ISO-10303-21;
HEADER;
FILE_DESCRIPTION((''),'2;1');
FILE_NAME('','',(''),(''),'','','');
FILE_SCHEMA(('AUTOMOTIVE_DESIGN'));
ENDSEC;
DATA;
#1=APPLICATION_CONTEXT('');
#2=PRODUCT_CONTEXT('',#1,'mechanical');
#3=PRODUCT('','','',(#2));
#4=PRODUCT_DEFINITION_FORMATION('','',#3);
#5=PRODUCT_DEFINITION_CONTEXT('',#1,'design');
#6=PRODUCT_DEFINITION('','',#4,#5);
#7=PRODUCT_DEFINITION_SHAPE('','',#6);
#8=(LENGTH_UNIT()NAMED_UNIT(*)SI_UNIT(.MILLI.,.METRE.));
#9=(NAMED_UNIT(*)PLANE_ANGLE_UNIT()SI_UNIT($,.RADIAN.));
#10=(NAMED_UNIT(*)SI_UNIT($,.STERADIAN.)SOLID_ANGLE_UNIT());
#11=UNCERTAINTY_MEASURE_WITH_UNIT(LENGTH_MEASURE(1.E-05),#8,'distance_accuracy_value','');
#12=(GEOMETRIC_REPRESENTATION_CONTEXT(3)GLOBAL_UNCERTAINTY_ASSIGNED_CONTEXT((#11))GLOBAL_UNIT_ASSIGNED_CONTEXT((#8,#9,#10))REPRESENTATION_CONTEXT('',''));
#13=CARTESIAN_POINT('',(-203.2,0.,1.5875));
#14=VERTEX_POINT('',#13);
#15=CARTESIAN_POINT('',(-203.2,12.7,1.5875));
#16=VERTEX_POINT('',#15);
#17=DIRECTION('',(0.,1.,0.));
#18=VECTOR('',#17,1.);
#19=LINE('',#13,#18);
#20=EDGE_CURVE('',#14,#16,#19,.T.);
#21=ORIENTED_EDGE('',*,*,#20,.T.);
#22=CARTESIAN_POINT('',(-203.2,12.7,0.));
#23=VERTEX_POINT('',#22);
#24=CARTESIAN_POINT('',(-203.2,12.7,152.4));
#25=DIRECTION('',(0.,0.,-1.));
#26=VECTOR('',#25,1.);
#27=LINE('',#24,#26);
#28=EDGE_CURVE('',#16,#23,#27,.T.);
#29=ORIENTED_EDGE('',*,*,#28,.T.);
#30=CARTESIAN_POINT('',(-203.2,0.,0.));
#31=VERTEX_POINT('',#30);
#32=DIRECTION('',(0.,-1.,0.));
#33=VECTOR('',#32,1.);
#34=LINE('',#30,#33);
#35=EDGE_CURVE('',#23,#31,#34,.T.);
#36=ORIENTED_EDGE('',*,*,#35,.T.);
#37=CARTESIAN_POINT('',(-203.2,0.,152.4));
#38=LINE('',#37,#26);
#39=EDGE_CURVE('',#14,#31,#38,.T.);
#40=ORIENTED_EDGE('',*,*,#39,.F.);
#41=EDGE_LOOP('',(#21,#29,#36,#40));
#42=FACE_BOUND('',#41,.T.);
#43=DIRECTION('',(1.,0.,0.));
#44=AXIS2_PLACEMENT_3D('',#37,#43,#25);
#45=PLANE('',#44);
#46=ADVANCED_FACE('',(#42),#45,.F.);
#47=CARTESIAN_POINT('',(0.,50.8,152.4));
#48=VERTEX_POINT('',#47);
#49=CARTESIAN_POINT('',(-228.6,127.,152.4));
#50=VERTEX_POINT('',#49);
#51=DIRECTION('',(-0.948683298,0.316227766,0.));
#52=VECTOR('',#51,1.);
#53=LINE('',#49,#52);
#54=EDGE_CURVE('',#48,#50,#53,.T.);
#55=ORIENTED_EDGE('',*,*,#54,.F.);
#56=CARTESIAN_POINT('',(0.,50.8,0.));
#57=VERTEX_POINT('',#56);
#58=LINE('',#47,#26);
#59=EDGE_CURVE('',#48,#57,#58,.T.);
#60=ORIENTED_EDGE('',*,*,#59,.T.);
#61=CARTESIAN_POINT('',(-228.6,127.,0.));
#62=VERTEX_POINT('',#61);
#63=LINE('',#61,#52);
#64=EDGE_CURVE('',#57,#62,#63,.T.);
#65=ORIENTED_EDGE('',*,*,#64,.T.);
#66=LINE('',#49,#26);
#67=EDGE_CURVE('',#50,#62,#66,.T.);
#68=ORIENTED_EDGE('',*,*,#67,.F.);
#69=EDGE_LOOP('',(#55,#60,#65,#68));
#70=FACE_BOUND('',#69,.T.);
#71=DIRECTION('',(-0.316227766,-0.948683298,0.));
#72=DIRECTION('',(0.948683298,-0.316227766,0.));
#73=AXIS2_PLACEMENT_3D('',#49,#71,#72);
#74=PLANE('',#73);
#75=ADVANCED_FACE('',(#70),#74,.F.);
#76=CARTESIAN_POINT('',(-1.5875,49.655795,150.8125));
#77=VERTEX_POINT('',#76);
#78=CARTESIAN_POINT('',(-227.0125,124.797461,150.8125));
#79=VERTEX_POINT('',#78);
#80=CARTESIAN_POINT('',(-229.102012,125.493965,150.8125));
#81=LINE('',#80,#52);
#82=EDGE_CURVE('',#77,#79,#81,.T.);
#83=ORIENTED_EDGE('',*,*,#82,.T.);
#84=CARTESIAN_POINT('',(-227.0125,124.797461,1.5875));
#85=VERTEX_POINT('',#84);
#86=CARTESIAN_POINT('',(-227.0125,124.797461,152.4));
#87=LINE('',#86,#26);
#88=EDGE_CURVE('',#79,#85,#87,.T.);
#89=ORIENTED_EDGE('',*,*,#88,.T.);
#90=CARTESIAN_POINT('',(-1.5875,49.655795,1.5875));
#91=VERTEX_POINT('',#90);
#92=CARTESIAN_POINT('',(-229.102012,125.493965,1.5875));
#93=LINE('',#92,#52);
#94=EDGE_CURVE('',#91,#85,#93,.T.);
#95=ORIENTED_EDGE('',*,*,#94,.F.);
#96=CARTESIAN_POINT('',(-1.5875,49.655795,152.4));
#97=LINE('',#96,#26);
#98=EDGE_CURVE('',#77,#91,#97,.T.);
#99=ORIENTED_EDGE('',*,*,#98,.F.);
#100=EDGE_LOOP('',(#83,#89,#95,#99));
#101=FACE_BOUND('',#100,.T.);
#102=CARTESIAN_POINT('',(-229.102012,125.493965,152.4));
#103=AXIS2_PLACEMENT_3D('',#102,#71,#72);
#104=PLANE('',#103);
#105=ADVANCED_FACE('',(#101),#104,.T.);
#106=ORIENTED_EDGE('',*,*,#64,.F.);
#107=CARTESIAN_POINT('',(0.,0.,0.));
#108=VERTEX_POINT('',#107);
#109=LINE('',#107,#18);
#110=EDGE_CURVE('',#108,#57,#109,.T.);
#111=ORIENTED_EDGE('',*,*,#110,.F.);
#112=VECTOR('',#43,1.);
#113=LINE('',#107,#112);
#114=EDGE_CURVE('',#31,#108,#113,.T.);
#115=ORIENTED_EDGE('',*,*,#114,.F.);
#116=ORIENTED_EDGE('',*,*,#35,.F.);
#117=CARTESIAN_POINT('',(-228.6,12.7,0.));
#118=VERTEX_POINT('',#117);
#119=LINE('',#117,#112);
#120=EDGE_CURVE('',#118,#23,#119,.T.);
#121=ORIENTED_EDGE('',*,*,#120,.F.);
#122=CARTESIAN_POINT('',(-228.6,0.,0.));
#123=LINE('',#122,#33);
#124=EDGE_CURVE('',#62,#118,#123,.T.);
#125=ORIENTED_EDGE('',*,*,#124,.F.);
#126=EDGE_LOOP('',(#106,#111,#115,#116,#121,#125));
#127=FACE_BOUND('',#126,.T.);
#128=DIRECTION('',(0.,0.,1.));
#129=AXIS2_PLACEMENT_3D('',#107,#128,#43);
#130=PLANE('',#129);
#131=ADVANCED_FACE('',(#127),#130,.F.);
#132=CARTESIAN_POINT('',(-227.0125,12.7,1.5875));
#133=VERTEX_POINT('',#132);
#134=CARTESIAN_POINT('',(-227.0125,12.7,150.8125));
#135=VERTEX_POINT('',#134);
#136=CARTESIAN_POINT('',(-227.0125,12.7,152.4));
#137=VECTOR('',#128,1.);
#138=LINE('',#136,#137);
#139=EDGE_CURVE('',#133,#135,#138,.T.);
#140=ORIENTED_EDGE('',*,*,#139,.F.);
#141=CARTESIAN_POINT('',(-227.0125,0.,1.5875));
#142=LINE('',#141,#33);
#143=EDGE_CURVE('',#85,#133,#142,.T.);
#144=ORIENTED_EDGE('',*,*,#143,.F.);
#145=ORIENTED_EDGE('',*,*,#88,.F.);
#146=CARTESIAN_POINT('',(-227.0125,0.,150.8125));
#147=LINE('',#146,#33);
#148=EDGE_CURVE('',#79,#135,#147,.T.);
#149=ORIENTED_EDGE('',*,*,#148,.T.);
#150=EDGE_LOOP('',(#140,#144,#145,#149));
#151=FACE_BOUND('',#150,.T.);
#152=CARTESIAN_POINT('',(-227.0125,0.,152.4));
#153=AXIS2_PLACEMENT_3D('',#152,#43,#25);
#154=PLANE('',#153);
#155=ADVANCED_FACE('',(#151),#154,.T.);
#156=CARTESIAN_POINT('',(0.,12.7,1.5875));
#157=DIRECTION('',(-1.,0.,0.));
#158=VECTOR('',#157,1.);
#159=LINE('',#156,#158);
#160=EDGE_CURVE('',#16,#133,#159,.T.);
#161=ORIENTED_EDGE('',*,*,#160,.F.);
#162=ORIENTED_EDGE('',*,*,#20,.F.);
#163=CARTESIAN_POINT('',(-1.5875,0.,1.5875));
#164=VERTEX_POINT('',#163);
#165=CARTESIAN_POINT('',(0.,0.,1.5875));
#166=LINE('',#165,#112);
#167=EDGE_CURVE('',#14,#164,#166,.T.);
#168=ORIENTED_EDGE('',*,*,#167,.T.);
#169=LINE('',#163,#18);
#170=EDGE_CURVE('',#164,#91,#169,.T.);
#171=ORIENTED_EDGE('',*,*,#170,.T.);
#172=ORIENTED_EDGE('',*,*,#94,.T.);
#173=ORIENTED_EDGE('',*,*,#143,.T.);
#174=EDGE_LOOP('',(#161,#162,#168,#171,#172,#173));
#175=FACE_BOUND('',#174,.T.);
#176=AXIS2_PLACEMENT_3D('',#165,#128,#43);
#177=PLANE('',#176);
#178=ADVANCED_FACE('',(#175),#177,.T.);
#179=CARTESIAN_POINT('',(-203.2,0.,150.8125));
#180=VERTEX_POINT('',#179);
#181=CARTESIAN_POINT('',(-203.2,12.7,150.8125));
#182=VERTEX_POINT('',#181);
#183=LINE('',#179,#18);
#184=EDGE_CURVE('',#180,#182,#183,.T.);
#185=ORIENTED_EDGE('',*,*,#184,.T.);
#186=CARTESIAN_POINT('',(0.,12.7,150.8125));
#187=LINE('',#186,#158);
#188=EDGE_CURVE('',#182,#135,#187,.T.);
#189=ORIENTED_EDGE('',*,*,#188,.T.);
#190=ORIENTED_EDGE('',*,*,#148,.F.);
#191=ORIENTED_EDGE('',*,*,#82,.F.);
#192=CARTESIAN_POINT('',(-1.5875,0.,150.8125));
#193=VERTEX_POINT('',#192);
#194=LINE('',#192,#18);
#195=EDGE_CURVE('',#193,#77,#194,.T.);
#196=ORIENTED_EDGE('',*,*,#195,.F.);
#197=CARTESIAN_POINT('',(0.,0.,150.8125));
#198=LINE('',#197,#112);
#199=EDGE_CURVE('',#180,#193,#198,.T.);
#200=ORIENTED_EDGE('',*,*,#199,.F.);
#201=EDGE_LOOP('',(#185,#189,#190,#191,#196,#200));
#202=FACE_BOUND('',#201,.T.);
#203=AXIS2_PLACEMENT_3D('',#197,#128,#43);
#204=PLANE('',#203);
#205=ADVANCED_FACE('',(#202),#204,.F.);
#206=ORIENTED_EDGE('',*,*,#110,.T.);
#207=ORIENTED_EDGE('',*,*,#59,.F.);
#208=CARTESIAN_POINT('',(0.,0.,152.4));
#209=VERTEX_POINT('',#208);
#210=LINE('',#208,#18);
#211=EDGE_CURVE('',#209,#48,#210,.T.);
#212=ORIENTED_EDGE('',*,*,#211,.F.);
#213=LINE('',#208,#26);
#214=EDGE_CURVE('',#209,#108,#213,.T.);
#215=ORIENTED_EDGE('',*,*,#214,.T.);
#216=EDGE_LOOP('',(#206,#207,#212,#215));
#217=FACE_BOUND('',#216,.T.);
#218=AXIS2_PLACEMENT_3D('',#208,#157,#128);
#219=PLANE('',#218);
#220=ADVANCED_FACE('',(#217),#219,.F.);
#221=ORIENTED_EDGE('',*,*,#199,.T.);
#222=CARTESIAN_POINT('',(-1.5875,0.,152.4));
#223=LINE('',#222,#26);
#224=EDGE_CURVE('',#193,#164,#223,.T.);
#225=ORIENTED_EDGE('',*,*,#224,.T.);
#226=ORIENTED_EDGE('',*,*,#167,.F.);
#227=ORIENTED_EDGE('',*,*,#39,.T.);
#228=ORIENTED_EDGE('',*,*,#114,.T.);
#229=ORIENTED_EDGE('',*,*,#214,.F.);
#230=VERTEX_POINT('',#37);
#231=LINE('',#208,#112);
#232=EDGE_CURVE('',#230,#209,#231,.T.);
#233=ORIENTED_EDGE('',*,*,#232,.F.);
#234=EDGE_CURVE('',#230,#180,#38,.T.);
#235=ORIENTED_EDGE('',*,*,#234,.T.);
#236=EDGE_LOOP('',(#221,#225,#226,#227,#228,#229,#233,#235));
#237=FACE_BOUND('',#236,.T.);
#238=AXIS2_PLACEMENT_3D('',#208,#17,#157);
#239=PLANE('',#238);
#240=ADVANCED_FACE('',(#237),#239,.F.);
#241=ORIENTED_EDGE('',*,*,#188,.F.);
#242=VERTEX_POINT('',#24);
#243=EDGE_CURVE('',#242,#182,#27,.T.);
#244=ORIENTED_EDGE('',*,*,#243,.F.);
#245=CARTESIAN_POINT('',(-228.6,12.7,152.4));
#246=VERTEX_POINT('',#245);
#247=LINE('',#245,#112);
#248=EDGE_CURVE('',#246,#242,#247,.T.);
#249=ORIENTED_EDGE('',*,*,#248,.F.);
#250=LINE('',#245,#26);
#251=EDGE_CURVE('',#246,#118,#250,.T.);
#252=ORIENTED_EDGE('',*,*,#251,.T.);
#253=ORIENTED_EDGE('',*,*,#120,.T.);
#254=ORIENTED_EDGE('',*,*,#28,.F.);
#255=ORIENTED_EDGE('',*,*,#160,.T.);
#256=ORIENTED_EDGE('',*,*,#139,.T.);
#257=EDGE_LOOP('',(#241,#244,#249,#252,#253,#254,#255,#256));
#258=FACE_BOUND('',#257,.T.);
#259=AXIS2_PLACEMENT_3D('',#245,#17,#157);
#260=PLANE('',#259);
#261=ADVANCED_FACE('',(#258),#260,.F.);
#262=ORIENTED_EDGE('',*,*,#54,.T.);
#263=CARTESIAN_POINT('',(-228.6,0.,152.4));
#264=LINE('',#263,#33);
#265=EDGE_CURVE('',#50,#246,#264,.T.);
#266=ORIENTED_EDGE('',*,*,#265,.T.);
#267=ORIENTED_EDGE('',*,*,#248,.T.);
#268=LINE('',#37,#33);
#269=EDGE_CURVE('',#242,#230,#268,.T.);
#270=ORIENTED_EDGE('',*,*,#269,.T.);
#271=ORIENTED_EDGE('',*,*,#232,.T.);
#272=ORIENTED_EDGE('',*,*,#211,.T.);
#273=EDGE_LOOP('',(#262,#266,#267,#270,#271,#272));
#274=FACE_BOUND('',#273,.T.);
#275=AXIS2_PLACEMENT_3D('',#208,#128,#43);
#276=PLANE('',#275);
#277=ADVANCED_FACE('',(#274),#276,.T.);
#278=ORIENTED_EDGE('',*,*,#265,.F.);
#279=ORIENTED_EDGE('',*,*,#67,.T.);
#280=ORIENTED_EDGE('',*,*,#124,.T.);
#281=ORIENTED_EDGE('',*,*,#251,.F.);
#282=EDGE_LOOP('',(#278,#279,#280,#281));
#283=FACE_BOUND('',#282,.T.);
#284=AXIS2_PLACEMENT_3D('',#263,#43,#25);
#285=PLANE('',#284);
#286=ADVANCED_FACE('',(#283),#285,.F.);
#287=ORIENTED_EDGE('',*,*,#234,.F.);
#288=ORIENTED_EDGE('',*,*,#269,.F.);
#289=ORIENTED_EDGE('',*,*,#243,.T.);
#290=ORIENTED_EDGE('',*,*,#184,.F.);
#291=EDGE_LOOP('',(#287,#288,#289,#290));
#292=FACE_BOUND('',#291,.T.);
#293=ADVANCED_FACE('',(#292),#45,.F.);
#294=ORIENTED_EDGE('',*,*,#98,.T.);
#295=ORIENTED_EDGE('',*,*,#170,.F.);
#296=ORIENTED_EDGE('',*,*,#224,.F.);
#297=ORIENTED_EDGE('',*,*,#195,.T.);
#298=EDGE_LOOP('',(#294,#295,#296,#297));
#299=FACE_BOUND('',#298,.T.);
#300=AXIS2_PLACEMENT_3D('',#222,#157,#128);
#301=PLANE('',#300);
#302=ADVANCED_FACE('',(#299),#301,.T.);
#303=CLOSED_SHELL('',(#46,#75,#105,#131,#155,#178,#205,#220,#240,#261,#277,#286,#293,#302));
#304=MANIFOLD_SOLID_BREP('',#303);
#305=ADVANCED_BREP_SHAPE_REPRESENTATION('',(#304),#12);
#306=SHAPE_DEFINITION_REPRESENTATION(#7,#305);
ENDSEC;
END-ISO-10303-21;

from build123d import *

# Parameters (mm, degrees)
BOSS_EXTRUDE2_DEPTH = 152.4
SHELL1_T            = -1.5875
SKETCH4_W           = 25.4
SKETCH4_H           = 12.7
CUT_EXTRUDE1_DEPTH  = 152.4


with BuildPart() as part:
    # Sketch3 → Boss-Extrude2 (new body)
    with BuildSketch(Plane.XY):
        Polygon((-228.6, 127), (0, 50.8), (0, 0), (-228.6, 0), align=None)
    extrude(amount=BOSS_EXTRUDE2_DEPTH)

    # Shell1
    shell1_openings = [part.faces().sort_by_distance(p)[0] for p in [
        (-114.3, 0, 76.2),
    ]]
    offset(amount=SHELL1_T, openings=shell1_openings, kind=Kind.INTERSECTION)

    # Sketch4 → Cut-Extrude1 (cut)
    with BuildSketch(Plane(origin=(0, 0, 0), x_dir=(-1, 0, 0), z_dir=(0, 0, -1))):
        with Locations((215.9, 6.35)):
            Rectangle(SKETCH4_W, SKETCH4_H)
    extrude(amount=-CUT_EXTRUDE1_DEPTH, mode=Mode.SUBTRACT)


solid = part.part
